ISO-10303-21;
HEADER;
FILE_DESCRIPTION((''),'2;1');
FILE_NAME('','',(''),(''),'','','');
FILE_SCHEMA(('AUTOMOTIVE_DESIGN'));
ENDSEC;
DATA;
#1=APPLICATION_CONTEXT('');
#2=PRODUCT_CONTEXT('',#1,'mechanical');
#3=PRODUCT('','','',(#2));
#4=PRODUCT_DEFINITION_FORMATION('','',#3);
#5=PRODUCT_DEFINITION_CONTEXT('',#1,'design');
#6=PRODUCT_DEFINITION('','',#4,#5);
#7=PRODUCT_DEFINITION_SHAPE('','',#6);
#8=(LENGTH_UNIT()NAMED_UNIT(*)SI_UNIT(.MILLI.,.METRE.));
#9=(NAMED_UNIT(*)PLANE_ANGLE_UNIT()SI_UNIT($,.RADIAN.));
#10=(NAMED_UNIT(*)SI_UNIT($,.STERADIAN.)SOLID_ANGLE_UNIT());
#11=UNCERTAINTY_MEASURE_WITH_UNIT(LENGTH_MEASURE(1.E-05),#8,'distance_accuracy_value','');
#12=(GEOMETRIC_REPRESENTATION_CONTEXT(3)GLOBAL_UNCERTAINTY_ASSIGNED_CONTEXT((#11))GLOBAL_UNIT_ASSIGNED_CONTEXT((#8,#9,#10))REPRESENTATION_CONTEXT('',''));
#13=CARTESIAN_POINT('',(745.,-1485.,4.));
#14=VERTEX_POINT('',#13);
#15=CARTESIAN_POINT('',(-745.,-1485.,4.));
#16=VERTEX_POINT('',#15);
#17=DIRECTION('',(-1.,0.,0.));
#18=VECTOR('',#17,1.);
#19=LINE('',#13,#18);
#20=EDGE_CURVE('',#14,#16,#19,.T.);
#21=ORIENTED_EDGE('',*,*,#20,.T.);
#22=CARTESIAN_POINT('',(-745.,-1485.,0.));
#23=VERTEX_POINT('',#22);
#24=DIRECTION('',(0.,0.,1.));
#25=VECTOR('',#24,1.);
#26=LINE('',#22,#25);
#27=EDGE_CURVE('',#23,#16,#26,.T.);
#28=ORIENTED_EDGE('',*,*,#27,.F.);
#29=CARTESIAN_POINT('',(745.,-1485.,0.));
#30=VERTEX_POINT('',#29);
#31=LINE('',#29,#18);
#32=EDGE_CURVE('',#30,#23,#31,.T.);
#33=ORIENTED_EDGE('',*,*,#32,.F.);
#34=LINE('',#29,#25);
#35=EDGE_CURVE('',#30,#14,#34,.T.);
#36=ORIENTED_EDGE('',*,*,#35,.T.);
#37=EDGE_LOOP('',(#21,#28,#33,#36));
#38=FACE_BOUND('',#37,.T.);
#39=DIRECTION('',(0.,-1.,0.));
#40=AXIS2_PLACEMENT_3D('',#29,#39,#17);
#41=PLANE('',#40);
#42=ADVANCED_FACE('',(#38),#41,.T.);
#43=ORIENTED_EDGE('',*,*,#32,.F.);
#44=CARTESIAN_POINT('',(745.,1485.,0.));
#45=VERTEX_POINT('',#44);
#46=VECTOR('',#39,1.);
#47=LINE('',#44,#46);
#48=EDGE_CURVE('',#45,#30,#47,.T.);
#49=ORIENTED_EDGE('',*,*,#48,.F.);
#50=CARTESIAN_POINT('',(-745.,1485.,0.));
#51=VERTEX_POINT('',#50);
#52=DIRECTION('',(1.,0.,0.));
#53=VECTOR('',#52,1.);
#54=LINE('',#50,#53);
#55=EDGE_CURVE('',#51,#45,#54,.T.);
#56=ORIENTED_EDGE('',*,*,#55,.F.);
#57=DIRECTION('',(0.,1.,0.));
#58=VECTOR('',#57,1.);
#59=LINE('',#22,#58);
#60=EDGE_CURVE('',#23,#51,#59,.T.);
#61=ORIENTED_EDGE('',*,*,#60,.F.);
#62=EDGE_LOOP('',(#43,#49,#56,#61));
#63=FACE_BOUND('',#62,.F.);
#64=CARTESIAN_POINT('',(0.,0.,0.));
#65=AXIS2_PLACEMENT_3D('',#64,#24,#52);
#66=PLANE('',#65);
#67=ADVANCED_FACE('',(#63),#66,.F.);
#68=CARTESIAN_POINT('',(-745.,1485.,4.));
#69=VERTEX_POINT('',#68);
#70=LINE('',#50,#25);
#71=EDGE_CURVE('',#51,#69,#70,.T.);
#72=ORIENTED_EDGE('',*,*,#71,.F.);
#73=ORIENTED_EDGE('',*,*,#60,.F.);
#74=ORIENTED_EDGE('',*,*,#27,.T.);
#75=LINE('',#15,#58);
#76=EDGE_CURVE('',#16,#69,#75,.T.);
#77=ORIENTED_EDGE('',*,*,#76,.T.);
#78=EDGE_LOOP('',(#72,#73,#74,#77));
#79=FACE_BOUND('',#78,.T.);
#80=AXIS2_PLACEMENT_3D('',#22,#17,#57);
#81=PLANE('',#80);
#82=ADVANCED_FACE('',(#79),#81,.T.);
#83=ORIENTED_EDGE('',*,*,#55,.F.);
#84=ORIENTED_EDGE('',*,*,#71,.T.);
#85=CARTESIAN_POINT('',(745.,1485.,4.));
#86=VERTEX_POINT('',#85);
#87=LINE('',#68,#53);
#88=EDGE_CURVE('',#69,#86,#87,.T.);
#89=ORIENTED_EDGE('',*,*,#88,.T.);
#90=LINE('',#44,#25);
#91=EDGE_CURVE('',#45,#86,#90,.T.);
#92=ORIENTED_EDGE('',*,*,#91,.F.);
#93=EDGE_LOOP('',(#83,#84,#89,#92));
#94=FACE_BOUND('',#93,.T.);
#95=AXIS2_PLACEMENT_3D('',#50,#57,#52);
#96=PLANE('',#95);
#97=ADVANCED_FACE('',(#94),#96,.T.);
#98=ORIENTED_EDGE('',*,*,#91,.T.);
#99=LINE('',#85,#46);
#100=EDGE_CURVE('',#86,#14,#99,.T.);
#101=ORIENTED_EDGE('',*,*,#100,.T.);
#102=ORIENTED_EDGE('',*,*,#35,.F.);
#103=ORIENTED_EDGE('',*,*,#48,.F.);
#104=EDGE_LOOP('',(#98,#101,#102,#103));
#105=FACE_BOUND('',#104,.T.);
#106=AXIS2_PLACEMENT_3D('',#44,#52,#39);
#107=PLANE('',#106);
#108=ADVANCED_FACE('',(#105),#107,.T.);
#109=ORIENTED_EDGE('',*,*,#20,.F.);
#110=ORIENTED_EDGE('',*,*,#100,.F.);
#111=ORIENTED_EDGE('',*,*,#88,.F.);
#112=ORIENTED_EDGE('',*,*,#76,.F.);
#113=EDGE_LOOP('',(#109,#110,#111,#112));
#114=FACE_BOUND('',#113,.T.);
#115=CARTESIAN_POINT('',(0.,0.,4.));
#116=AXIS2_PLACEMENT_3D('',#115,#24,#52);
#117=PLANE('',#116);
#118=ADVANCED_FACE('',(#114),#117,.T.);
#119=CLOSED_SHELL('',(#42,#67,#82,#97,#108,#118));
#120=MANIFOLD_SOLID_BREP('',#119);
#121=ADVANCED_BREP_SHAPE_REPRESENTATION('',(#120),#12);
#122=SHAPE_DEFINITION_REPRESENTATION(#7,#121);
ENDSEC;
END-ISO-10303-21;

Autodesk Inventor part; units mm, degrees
ref_plane "YZ Plane" through (0, 0, 0) normal (1, 0, 0) x (0, 1, 0)
ref_plane "XZ Plane" through (0, 0, 0) normal (0, 1, 0) x (-1, 0, 0)
ref_plane "XY Plane" through (0, 0, 0) normal (0, 0, 1) x (1, 0, 0)
sketch "Sketch1" plane through (0, 0, 0) normal (0, 0, 1) x (1, 0, 0)
  line L0 (745, -1485) -> (-745, -1485)
  line L1 (-745, -1485) -> (-745, 1485)
  line L2 (-745, 1485) -> (745, 1485)
  line L3 (745, 1485) -> (745, -1485)
  line L4 (745, -1485) -> (-745, 1485) construction
  line L5 (-745, -1485) -> (745, 1485) construction
  point P0 (0, 0)
  dimension "d0" = 1490
  dimension "d1" = 2970
extrude "Plate1" add sketch "Sketch1" along normal blind 4
equation "\"d0\" = высота_листа_стенки"
equation "\"d2\" = Thickness"
equation "\"BendRadius\" = Thickness"
equation "\"BendReliefWidth\" = Thickness"
equation "\"BendReliefDepth\" = 0.5 * Thickness"
equation "\"CornerReliefSize\" = 4 * Thickness"
equation "\"MinimumRemnant\" = 2 * Thickness"
equation "\"TransitionRadius\" = BendRadius"
equation "\"JacobiRadiusSize\" = BendRadius"
equation "\"GapSize\" = Thickness"
equation "\"высота_листа_стенки\" = 1490"
equation "\"Thickness\" = 4"
properties part number "01.1 GBK shield_CPY" material "Steel"
